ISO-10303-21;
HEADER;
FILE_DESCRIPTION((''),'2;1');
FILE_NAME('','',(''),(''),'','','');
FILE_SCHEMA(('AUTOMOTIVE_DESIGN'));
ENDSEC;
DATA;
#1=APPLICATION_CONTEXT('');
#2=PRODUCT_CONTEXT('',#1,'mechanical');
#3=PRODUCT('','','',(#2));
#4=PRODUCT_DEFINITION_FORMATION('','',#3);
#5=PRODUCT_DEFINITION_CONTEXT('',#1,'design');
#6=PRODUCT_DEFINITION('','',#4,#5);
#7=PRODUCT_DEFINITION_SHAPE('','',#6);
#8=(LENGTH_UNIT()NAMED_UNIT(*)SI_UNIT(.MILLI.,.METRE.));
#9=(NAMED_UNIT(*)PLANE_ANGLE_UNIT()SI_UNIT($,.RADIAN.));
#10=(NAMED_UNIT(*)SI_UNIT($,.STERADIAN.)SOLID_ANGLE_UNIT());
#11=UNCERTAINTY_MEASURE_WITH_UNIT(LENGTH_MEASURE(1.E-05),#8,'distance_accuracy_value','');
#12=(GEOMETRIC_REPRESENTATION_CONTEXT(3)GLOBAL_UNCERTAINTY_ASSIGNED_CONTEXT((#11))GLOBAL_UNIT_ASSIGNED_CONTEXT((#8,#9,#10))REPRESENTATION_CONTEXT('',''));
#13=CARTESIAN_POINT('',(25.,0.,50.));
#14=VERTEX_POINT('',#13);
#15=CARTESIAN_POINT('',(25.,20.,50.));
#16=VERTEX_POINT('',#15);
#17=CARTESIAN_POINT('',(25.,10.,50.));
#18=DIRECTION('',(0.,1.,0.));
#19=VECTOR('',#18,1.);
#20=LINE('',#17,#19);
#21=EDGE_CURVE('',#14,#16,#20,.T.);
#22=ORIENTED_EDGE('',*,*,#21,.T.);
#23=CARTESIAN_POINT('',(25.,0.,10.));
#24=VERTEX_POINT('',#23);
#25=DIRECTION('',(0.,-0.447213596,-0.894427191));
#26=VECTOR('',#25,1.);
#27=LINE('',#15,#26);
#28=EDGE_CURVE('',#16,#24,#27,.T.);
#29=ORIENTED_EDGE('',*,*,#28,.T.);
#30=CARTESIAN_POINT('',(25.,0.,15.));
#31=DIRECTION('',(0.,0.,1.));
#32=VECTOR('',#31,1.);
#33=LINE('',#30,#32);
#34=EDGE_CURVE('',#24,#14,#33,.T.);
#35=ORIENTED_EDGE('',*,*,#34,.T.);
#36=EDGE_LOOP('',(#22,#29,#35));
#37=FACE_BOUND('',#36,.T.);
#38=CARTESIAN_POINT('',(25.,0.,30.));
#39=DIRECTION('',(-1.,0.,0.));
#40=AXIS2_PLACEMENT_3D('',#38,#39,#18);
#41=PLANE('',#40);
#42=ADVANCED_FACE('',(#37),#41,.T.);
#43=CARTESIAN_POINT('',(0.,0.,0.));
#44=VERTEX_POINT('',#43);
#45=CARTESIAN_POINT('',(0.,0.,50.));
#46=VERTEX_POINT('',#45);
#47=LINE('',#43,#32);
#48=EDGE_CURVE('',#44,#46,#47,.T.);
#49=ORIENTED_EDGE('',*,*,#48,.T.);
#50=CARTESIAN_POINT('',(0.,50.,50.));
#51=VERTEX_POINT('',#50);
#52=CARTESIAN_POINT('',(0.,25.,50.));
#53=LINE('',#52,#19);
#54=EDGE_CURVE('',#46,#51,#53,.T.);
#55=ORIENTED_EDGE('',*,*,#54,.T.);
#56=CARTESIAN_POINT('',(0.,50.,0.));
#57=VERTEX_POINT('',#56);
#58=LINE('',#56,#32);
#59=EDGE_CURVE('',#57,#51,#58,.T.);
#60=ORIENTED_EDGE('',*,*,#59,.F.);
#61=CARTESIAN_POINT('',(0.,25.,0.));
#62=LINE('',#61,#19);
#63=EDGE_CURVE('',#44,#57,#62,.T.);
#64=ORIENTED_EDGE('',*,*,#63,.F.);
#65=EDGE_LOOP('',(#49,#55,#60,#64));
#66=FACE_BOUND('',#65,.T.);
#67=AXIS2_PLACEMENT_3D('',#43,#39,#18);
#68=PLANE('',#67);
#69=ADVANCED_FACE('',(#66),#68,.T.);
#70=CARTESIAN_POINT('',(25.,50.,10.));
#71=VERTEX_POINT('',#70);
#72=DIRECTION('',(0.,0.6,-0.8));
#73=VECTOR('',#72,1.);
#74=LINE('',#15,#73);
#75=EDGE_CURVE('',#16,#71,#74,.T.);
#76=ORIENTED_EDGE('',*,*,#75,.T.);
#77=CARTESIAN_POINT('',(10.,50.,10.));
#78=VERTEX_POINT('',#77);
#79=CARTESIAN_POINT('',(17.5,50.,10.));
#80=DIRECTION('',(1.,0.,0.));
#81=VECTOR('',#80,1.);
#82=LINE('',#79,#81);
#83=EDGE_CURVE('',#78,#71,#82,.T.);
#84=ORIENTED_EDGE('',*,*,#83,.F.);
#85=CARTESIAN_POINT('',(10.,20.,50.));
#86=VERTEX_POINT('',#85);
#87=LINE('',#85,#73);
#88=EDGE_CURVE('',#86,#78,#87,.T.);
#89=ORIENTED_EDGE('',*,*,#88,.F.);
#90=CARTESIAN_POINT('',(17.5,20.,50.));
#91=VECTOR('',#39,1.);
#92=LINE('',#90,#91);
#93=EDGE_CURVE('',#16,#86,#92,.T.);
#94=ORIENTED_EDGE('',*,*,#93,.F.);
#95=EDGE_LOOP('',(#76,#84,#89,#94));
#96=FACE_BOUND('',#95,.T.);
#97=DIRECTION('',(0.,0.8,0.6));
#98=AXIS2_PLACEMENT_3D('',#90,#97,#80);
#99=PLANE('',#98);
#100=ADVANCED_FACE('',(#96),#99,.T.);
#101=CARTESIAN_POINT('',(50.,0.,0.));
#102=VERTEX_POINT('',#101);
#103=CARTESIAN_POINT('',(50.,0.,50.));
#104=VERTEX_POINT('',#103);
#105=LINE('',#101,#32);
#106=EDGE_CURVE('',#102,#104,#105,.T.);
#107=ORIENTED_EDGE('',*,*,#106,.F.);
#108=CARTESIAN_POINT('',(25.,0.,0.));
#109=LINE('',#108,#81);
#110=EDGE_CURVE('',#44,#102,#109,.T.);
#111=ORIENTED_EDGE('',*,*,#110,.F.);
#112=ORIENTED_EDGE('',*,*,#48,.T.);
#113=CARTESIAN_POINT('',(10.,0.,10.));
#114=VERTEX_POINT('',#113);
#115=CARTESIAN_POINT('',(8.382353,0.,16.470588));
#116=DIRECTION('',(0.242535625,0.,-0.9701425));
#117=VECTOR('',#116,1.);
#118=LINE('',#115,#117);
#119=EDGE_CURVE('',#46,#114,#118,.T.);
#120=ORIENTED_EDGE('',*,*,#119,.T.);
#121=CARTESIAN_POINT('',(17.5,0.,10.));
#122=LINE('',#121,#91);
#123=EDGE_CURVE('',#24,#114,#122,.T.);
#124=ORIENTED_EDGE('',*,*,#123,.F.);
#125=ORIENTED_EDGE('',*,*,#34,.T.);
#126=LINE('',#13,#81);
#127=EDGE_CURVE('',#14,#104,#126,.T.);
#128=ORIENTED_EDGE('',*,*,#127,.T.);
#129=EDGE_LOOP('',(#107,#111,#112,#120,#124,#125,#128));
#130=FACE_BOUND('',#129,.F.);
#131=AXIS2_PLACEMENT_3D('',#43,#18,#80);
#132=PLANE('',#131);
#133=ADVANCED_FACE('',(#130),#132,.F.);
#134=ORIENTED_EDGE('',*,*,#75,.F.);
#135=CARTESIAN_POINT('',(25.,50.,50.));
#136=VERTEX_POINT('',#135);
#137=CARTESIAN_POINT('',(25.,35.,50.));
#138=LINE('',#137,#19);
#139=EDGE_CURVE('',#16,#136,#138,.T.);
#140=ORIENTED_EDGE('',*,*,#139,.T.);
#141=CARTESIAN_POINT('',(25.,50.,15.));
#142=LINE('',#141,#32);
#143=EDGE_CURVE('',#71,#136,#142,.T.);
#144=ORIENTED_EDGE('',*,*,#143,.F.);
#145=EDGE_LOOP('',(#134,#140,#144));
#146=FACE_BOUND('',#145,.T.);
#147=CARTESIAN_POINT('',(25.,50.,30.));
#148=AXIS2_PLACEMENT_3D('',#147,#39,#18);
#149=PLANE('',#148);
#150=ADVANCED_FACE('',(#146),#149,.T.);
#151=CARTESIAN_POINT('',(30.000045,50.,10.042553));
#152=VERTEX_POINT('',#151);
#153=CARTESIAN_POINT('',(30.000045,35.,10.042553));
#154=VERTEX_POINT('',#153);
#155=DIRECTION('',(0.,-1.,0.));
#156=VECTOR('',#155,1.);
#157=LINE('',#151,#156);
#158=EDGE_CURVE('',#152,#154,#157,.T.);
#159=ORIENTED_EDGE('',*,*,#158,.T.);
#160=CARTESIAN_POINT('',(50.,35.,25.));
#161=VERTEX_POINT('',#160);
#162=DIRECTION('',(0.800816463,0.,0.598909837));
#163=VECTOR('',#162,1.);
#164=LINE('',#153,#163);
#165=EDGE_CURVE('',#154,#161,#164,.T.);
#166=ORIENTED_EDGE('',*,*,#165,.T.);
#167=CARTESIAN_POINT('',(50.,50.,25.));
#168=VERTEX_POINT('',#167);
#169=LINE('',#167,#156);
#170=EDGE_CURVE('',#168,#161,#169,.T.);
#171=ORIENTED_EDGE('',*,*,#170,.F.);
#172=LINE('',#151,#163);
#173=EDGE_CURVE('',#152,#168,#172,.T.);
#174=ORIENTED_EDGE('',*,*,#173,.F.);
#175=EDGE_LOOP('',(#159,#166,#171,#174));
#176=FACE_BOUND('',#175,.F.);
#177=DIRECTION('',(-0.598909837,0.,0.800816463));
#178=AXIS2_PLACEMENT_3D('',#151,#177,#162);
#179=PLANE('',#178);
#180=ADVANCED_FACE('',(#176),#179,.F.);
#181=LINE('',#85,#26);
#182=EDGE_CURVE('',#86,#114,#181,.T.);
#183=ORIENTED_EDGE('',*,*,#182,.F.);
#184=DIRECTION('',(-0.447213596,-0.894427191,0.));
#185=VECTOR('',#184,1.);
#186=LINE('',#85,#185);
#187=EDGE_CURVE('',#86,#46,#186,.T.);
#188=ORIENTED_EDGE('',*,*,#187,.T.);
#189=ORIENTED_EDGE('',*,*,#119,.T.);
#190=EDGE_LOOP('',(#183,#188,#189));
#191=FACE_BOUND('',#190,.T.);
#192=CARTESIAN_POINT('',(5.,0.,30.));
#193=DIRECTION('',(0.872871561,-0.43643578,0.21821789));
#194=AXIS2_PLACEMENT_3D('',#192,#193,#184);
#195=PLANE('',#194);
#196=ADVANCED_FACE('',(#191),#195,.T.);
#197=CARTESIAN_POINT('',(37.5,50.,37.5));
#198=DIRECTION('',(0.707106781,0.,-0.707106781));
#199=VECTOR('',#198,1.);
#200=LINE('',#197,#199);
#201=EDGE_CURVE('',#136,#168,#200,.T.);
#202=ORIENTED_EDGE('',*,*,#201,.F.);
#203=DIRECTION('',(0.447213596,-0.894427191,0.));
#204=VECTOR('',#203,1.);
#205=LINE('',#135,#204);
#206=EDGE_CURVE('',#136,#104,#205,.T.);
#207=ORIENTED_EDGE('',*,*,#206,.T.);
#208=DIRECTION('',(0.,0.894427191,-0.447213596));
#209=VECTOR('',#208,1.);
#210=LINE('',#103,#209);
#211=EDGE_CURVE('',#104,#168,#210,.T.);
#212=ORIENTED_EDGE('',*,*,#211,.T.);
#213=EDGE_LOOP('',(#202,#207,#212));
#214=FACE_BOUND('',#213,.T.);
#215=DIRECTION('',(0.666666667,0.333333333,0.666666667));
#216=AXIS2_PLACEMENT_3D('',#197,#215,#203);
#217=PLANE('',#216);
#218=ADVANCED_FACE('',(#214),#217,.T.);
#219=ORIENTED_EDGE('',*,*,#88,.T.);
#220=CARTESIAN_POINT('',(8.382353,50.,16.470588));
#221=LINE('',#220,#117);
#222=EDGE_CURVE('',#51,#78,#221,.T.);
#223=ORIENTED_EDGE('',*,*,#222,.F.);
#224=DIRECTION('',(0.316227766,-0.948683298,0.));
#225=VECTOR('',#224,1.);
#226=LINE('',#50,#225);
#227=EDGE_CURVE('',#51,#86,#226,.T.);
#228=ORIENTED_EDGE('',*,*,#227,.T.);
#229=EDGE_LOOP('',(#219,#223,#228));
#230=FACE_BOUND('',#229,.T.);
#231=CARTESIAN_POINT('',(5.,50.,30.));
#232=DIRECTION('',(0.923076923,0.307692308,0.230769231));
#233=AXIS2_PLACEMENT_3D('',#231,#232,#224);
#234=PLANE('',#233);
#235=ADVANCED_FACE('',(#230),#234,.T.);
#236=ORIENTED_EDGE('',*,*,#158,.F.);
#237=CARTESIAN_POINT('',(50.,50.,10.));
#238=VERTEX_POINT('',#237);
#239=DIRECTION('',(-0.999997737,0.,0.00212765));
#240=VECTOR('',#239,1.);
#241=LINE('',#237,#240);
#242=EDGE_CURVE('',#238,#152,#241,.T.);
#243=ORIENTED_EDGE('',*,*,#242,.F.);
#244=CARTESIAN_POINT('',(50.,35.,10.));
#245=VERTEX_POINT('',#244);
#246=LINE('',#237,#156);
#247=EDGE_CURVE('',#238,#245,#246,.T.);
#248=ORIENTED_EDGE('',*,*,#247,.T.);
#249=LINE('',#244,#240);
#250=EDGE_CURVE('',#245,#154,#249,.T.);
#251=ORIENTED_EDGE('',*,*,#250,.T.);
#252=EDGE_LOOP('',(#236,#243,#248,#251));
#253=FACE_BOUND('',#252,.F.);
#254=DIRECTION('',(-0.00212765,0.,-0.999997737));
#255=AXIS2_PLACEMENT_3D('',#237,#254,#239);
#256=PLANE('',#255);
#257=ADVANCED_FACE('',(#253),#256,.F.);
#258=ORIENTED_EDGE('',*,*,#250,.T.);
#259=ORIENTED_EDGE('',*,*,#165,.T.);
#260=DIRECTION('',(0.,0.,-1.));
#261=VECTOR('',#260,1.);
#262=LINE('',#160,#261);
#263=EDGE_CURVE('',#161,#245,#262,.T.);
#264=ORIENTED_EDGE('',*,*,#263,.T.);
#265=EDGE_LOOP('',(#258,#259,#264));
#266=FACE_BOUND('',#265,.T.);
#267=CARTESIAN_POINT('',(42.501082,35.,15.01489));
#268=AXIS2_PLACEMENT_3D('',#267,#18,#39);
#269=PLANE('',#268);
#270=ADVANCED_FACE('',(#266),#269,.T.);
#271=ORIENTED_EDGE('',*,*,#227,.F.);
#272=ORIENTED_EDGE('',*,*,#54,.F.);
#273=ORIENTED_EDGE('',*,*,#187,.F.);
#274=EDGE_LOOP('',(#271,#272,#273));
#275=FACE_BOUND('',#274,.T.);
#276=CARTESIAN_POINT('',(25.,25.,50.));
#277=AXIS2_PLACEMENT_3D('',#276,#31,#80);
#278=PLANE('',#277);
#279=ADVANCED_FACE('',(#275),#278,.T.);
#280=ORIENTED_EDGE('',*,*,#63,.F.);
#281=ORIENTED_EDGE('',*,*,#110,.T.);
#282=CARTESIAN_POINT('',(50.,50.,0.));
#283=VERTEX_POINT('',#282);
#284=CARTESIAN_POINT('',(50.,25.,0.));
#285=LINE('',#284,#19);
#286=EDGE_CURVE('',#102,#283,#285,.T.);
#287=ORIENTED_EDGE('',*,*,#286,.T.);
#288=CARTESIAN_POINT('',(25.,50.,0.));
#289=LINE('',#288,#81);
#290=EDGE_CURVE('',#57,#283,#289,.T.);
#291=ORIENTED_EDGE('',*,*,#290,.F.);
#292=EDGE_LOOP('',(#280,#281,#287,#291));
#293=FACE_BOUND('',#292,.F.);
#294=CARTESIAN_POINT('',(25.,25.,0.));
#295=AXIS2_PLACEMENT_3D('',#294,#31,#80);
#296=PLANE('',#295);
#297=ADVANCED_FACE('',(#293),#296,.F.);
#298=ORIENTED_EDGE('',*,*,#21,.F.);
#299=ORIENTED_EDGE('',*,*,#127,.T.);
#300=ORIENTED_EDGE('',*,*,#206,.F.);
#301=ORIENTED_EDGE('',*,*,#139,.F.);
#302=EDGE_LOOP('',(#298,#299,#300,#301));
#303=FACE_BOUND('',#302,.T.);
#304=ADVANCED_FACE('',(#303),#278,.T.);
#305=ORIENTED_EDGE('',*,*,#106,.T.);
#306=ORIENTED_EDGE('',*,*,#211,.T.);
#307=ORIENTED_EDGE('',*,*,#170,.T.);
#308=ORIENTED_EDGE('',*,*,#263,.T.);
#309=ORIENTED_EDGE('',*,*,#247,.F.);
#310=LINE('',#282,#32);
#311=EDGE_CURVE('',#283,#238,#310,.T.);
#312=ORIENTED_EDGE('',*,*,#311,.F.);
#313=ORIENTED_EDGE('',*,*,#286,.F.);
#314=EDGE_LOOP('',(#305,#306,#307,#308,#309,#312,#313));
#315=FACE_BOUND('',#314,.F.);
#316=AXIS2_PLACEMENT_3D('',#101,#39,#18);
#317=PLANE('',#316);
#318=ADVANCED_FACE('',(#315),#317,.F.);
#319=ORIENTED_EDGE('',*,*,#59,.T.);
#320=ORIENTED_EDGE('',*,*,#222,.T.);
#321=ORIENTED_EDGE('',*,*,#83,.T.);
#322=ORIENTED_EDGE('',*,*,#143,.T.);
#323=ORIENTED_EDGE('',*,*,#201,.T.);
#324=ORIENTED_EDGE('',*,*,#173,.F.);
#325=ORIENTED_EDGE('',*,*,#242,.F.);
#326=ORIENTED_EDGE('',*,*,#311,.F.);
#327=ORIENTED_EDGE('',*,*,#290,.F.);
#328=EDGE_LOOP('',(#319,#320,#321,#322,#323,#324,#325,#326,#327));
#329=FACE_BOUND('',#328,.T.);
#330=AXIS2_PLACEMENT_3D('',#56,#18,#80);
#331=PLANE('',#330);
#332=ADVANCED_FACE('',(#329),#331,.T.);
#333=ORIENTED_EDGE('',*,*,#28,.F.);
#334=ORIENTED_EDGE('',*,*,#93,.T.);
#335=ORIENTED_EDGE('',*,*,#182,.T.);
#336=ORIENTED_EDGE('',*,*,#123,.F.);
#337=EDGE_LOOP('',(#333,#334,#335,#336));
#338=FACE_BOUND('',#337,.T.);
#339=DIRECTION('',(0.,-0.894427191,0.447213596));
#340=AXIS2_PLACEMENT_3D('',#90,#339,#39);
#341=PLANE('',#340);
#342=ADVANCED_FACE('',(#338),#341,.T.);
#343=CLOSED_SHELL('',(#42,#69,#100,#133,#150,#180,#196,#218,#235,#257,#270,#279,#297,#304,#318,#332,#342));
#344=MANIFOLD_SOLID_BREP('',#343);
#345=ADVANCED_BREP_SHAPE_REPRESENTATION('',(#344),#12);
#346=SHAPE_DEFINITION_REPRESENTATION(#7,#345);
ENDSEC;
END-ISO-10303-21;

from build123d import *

# Parameters (mm, degrees)
F0_W      = 50
F0_H      = 50
F1_DEPTH  = 50
F11_W     = 15
F11_H     = 20
F14_W     = 15
F14_H     = 30
F18_DEPTH = 15


with BuildPart() as f1:
    # F0 (on Top) → F1 (new body)
    with BuildSketch(Plane.XY):
        with Locations((25, 25)):
            Rectangle(F0_W, F0_H)
    extrude(amount=F1_DEPTH)

    # F4: sweep along a path in F3
    with BuildLine(Plane(origin=(0, 0, 0), x_dir=(0, -1, 0), z_dir=(-1, 0, 0))) as f4_path:
        Line((-20, 50), (-50, 10))
    # F2 (on face) → F4 (sweep, cut)
    with BuildSketch(Plane.XY.offset(50)):
        Polygon((10, 50), (0, 50), (10, 20), align=None)
    sweep(path=f4_path.line, mode=Mode.SUBTRACT)

    # F7: sweep along a path in F6
    with BuildLine(Plane(origin=(0, 0, 0), x_dir=(0, -1, 0), z_dir=(-1, 0, 0))) as f7_path:
        Line((-20, 50), (0, 10))
    # F5 (on face) → F7 (sweep, cut)
    with BuildSketch(Plane.XY.offset(50)):
        Polygon((10, 0), (10, 20), (0, 0), align=None)
    sweep(path=f7_path.line, mode=Mode.SUBTRACT)

    # F10: sweep along a path in F9
    with BuildLine(Plane.YZ.offset(50)) as f10_path:
        Line((0, 50), (50, 25))
    # F8 (on face) → F10 (sweep, cut)
    with BuildSketch(Plane.XY.offset(50)):
        Polygon((50, 50), (25, 50), (50, 0), align=None)
    sweep(path=f10_path.line, mode=Mode.SUBTRACT)

    # F13: sweep along a path in F12
    with BuildLine(Plane(origin=(0, 0, 0), x_dir=(0, -1, 0), z_dir=(-1, 0, 0))) as f13_path:
        Line((-20, 50), (0, 10))
    # F11 (on face) → F13 (sweep, cut)
    with BuildSketch(Plane.XY.offset(50)):
        with Locations((17.5, 10)):
            Rectangle(F11_W, F11_H)
    sweep(path=f13_path.line, mode=Mode.SUBTRACT)

    # F16: sweep along a path in F15
    with BuildLine(Plane(origin=(0, 0, 0), x_dir=(0, -1, 0), z_dir=(-1, 0, 0))) as f16_path:
        Line((-20, 50), (-50, 10))
    # F14 (on face) → F16 (sweep, cut)
    with BuildSketch(Plane.XY.offset(50)):
        with Locations((17.5, 35)):
            Rectangle(F14_W, F14_H)
    sweep(path=f16_path.line, mode=Mode.SUBTRACT)

    # F17 (on face) → F18 (cut)
    with BuildSketch(Plane(origin=(0, 50, 0), x_dir=(-1, 0, 0), z_dir=(0, 1, 0))):
        Polygon((-30.000045, 10.042553), (-50, 25), (-50, 10), align=None)
    extrude(amount=-F18_DEPTH, mode=Mode.SUBTRACT)


solid = f1.part
